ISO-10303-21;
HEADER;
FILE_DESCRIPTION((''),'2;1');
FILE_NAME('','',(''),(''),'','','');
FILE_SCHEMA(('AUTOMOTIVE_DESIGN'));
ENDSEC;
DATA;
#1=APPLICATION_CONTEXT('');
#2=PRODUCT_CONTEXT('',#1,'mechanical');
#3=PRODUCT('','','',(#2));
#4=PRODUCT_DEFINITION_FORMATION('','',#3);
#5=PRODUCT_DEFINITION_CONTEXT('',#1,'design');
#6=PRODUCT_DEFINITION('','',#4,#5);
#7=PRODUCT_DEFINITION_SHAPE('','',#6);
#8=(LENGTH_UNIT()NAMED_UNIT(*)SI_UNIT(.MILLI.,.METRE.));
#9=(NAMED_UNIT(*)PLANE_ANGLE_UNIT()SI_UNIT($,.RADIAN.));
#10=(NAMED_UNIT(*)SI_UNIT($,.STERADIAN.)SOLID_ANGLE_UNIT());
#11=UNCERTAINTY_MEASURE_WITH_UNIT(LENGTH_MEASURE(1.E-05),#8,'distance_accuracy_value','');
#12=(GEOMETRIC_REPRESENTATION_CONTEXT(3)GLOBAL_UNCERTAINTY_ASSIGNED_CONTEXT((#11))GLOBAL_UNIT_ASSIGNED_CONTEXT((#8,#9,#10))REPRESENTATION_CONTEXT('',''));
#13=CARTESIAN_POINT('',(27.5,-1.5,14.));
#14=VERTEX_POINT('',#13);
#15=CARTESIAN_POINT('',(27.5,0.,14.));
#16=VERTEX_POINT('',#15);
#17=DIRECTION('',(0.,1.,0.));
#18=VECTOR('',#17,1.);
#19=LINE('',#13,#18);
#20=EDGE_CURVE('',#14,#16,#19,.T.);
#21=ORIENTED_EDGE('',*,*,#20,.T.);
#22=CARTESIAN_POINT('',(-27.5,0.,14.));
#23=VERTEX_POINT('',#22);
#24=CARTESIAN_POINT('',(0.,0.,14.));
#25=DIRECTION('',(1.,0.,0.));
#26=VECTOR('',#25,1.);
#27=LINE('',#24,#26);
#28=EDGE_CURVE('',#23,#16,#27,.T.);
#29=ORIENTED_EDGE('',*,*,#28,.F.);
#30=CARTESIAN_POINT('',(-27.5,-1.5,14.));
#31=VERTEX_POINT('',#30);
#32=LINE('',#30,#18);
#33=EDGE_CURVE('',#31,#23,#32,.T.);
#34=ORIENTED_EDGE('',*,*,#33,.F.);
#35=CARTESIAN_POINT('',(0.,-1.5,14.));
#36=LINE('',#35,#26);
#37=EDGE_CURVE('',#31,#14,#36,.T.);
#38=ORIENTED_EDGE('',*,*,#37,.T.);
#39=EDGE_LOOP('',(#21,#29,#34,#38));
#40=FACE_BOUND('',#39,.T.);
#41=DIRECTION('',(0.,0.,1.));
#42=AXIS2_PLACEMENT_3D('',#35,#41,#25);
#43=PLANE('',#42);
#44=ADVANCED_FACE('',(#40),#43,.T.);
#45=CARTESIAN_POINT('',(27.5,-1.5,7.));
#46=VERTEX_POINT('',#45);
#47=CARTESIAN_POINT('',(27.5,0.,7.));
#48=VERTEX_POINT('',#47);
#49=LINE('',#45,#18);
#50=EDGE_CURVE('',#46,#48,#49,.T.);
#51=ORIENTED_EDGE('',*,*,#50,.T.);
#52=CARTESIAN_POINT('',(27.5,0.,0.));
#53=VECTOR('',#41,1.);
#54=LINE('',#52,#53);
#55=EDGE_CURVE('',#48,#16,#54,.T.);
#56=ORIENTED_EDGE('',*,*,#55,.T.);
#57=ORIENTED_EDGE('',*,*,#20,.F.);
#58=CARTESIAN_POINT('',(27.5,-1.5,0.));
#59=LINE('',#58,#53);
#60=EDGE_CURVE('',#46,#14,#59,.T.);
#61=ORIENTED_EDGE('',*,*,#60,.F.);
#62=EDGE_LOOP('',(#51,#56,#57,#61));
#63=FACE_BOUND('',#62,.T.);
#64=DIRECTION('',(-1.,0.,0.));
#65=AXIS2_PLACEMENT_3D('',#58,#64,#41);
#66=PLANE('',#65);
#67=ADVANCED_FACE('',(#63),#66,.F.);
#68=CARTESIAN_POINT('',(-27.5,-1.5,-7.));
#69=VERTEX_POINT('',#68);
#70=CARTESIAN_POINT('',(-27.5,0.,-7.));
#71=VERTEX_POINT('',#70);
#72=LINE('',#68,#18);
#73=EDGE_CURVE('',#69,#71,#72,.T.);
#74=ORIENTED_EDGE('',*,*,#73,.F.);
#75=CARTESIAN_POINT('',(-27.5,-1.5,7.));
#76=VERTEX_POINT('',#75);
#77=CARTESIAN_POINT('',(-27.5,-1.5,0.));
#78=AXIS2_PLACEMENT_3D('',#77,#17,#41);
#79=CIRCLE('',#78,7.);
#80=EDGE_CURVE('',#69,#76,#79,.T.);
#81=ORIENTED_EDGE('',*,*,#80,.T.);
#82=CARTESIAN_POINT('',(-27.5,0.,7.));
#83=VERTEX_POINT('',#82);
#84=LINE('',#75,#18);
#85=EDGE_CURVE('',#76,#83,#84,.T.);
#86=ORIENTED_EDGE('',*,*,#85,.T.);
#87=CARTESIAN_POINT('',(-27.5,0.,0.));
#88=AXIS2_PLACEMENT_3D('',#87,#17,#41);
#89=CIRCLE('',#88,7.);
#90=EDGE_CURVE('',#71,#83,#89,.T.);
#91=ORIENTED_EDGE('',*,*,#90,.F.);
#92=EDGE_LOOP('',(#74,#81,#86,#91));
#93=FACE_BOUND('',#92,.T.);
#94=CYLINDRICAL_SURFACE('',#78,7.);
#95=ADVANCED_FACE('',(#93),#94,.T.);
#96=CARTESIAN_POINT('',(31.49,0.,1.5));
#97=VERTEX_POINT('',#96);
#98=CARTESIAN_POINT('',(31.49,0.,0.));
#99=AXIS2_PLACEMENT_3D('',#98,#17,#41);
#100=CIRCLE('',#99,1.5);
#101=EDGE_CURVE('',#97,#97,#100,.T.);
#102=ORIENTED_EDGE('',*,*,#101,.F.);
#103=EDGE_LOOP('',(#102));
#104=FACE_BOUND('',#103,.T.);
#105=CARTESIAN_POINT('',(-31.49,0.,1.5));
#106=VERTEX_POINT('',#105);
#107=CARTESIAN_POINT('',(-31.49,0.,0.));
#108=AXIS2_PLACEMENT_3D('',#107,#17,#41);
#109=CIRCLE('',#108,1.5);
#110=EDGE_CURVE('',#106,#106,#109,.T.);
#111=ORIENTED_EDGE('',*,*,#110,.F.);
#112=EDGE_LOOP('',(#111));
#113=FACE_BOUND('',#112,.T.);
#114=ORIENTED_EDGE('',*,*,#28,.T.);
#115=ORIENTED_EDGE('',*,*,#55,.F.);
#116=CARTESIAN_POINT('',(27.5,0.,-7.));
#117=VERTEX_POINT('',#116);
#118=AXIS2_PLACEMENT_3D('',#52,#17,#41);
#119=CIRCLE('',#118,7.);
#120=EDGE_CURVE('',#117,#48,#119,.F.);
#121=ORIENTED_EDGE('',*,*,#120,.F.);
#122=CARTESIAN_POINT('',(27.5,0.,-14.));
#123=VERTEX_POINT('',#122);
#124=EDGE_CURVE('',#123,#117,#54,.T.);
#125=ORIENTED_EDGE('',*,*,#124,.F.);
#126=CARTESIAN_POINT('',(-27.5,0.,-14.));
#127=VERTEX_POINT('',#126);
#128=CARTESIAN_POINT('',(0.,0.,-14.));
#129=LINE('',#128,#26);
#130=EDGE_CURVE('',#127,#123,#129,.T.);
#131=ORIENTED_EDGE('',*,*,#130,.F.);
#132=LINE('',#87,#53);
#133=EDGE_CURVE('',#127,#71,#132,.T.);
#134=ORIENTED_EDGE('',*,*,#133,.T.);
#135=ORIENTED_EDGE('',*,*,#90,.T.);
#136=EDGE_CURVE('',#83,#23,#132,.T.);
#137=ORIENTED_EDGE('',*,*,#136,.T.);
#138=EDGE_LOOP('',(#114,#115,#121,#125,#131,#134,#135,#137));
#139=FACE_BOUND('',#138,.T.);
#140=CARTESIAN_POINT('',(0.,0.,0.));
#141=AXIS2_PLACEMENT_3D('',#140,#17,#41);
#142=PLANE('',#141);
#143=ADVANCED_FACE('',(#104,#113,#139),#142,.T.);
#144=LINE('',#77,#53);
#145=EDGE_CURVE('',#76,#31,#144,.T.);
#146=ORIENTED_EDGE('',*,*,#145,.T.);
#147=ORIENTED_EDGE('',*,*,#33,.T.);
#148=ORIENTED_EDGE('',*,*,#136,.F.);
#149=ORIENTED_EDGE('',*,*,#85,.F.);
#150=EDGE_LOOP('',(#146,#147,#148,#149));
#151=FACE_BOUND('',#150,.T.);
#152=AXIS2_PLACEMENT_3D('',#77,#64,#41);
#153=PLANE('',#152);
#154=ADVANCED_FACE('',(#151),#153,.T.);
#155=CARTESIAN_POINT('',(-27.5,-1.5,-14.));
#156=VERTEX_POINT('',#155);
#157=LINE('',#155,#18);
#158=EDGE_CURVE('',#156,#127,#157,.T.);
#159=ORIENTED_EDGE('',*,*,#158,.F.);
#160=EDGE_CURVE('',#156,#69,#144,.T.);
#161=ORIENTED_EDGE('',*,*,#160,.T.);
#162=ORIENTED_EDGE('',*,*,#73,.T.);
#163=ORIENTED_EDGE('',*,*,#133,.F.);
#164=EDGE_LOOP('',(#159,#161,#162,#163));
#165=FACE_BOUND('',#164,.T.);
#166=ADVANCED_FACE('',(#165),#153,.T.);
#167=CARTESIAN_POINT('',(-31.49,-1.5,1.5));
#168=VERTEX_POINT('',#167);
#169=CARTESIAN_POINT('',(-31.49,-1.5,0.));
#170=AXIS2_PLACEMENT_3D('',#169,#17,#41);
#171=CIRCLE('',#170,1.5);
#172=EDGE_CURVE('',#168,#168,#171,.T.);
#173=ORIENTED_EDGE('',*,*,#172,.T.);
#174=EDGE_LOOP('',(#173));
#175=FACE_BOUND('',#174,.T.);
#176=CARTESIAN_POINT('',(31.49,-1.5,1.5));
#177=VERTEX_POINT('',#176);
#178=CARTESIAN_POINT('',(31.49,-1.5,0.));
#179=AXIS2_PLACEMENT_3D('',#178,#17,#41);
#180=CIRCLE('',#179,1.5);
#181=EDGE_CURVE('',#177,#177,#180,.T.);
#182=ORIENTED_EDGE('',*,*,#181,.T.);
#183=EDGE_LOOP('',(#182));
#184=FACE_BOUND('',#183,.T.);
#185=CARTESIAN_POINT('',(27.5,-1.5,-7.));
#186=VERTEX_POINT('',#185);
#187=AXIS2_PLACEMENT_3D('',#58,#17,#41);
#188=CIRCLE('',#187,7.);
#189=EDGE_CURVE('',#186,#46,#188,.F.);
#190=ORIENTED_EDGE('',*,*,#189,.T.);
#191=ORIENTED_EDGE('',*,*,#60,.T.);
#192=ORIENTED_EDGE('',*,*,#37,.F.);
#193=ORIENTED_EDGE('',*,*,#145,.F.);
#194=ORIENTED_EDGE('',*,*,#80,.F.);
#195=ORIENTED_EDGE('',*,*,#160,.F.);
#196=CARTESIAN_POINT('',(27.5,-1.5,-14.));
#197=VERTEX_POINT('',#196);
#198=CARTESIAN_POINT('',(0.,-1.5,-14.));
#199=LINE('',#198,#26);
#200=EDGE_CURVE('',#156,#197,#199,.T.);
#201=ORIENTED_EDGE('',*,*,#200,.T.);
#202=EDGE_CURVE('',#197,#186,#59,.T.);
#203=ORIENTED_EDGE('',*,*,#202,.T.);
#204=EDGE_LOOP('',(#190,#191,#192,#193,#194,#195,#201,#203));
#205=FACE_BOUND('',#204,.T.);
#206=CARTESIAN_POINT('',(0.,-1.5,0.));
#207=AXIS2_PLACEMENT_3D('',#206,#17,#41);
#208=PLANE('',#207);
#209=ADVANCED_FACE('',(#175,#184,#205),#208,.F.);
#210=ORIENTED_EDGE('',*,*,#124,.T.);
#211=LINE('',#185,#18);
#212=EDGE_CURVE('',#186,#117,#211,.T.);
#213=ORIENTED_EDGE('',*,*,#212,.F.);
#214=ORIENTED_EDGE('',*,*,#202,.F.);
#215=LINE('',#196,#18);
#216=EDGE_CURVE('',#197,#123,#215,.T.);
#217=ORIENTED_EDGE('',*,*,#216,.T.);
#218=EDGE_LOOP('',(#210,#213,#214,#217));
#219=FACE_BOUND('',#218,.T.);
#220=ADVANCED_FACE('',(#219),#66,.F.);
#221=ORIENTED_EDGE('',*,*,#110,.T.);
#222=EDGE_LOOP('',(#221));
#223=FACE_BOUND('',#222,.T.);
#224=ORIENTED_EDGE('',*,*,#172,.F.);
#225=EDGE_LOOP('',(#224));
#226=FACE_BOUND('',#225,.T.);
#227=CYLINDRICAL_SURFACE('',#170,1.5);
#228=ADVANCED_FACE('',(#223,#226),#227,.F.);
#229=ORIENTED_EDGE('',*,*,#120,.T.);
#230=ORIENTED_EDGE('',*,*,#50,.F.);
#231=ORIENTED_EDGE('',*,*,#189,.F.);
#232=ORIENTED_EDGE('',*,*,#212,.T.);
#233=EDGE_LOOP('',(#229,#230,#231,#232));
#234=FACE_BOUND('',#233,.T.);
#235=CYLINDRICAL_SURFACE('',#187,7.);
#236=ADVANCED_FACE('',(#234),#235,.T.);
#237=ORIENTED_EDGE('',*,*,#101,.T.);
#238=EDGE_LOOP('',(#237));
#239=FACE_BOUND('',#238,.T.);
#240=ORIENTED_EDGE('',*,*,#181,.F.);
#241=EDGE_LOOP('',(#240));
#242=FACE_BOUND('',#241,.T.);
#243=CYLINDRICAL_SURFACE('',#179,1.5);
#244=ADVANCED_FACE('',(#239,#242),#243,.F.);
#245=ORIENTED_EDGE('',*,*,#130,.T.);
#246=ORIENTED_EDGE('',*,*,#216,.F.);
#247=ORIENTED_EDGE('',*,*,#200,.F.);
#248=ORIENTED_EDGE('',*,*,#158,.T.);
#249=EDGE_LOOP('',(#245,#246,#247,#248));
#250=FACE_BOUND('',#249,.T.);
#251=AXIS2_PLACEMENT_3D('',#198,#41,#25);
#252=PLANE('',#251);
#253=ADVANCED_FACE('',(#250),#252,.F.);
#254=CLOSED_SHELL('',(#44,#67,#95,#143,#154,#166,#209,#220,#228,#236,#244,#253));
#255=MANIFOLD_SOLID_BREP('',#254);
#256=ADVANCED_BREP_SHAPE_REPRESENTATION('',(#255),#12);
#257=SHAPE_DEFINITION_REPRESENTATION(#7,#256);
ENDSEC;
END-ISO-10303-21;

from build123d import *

# Parameters (mm, degrees)
SKETCH1_W           = 55
SKETCH1_H           = 28
BOSS_EXTRUDE1_DEPTH = 1.5
SKETCH4_R           = 1.5
CUT_EXTRUDE1_DEPTH  = 38.262581768


with BuildPart() as part:
    # Sketch1 → Boss-Extrude1 (new body)
    with BuildSketch(Plane(origin=(0, 0, 0), x_dir=(1, 0, 0), z_dir=(0, 1, 0))):
        Rectangle(SKETCH1_W, SKETCH1_H)
        with BuildLine():
            Line((-27.5, -7), (-27.5, 7))
            ThreePointArc((-27.5, 7), (-34.5, 0), (-27.5, -7))
        make_face()
        with BuildLine():
            ThreePointArc((27.5, -7), (34.5, 0), (27.5, 7))
            Line((27.5, 7), (27.5, -7))
        make_face()
    extrude(amount=-BOSS_EXTRUDE1_DEPTH)

    # Sketch4 → Cut-Extrude1 (cut, through all)
    with BuildSketch(Plane(origin=(0, 0, 0), x_dir=(1, 0, 0), z_dir=(0, 1, 0))):
        with Locations(Location((-31.49, 0, 0), (0, 0, 270))):
            Circle(SKETCH4_R)
        with Locations(Location((31.49, 0, 0), (0, 0, 270))):
            Circle(SKETCH4_R)
    extrude(amount=-CUT_EXTRUDE1_DEPTH, mode=Mode.SUBTRACT)


solid = part.part
